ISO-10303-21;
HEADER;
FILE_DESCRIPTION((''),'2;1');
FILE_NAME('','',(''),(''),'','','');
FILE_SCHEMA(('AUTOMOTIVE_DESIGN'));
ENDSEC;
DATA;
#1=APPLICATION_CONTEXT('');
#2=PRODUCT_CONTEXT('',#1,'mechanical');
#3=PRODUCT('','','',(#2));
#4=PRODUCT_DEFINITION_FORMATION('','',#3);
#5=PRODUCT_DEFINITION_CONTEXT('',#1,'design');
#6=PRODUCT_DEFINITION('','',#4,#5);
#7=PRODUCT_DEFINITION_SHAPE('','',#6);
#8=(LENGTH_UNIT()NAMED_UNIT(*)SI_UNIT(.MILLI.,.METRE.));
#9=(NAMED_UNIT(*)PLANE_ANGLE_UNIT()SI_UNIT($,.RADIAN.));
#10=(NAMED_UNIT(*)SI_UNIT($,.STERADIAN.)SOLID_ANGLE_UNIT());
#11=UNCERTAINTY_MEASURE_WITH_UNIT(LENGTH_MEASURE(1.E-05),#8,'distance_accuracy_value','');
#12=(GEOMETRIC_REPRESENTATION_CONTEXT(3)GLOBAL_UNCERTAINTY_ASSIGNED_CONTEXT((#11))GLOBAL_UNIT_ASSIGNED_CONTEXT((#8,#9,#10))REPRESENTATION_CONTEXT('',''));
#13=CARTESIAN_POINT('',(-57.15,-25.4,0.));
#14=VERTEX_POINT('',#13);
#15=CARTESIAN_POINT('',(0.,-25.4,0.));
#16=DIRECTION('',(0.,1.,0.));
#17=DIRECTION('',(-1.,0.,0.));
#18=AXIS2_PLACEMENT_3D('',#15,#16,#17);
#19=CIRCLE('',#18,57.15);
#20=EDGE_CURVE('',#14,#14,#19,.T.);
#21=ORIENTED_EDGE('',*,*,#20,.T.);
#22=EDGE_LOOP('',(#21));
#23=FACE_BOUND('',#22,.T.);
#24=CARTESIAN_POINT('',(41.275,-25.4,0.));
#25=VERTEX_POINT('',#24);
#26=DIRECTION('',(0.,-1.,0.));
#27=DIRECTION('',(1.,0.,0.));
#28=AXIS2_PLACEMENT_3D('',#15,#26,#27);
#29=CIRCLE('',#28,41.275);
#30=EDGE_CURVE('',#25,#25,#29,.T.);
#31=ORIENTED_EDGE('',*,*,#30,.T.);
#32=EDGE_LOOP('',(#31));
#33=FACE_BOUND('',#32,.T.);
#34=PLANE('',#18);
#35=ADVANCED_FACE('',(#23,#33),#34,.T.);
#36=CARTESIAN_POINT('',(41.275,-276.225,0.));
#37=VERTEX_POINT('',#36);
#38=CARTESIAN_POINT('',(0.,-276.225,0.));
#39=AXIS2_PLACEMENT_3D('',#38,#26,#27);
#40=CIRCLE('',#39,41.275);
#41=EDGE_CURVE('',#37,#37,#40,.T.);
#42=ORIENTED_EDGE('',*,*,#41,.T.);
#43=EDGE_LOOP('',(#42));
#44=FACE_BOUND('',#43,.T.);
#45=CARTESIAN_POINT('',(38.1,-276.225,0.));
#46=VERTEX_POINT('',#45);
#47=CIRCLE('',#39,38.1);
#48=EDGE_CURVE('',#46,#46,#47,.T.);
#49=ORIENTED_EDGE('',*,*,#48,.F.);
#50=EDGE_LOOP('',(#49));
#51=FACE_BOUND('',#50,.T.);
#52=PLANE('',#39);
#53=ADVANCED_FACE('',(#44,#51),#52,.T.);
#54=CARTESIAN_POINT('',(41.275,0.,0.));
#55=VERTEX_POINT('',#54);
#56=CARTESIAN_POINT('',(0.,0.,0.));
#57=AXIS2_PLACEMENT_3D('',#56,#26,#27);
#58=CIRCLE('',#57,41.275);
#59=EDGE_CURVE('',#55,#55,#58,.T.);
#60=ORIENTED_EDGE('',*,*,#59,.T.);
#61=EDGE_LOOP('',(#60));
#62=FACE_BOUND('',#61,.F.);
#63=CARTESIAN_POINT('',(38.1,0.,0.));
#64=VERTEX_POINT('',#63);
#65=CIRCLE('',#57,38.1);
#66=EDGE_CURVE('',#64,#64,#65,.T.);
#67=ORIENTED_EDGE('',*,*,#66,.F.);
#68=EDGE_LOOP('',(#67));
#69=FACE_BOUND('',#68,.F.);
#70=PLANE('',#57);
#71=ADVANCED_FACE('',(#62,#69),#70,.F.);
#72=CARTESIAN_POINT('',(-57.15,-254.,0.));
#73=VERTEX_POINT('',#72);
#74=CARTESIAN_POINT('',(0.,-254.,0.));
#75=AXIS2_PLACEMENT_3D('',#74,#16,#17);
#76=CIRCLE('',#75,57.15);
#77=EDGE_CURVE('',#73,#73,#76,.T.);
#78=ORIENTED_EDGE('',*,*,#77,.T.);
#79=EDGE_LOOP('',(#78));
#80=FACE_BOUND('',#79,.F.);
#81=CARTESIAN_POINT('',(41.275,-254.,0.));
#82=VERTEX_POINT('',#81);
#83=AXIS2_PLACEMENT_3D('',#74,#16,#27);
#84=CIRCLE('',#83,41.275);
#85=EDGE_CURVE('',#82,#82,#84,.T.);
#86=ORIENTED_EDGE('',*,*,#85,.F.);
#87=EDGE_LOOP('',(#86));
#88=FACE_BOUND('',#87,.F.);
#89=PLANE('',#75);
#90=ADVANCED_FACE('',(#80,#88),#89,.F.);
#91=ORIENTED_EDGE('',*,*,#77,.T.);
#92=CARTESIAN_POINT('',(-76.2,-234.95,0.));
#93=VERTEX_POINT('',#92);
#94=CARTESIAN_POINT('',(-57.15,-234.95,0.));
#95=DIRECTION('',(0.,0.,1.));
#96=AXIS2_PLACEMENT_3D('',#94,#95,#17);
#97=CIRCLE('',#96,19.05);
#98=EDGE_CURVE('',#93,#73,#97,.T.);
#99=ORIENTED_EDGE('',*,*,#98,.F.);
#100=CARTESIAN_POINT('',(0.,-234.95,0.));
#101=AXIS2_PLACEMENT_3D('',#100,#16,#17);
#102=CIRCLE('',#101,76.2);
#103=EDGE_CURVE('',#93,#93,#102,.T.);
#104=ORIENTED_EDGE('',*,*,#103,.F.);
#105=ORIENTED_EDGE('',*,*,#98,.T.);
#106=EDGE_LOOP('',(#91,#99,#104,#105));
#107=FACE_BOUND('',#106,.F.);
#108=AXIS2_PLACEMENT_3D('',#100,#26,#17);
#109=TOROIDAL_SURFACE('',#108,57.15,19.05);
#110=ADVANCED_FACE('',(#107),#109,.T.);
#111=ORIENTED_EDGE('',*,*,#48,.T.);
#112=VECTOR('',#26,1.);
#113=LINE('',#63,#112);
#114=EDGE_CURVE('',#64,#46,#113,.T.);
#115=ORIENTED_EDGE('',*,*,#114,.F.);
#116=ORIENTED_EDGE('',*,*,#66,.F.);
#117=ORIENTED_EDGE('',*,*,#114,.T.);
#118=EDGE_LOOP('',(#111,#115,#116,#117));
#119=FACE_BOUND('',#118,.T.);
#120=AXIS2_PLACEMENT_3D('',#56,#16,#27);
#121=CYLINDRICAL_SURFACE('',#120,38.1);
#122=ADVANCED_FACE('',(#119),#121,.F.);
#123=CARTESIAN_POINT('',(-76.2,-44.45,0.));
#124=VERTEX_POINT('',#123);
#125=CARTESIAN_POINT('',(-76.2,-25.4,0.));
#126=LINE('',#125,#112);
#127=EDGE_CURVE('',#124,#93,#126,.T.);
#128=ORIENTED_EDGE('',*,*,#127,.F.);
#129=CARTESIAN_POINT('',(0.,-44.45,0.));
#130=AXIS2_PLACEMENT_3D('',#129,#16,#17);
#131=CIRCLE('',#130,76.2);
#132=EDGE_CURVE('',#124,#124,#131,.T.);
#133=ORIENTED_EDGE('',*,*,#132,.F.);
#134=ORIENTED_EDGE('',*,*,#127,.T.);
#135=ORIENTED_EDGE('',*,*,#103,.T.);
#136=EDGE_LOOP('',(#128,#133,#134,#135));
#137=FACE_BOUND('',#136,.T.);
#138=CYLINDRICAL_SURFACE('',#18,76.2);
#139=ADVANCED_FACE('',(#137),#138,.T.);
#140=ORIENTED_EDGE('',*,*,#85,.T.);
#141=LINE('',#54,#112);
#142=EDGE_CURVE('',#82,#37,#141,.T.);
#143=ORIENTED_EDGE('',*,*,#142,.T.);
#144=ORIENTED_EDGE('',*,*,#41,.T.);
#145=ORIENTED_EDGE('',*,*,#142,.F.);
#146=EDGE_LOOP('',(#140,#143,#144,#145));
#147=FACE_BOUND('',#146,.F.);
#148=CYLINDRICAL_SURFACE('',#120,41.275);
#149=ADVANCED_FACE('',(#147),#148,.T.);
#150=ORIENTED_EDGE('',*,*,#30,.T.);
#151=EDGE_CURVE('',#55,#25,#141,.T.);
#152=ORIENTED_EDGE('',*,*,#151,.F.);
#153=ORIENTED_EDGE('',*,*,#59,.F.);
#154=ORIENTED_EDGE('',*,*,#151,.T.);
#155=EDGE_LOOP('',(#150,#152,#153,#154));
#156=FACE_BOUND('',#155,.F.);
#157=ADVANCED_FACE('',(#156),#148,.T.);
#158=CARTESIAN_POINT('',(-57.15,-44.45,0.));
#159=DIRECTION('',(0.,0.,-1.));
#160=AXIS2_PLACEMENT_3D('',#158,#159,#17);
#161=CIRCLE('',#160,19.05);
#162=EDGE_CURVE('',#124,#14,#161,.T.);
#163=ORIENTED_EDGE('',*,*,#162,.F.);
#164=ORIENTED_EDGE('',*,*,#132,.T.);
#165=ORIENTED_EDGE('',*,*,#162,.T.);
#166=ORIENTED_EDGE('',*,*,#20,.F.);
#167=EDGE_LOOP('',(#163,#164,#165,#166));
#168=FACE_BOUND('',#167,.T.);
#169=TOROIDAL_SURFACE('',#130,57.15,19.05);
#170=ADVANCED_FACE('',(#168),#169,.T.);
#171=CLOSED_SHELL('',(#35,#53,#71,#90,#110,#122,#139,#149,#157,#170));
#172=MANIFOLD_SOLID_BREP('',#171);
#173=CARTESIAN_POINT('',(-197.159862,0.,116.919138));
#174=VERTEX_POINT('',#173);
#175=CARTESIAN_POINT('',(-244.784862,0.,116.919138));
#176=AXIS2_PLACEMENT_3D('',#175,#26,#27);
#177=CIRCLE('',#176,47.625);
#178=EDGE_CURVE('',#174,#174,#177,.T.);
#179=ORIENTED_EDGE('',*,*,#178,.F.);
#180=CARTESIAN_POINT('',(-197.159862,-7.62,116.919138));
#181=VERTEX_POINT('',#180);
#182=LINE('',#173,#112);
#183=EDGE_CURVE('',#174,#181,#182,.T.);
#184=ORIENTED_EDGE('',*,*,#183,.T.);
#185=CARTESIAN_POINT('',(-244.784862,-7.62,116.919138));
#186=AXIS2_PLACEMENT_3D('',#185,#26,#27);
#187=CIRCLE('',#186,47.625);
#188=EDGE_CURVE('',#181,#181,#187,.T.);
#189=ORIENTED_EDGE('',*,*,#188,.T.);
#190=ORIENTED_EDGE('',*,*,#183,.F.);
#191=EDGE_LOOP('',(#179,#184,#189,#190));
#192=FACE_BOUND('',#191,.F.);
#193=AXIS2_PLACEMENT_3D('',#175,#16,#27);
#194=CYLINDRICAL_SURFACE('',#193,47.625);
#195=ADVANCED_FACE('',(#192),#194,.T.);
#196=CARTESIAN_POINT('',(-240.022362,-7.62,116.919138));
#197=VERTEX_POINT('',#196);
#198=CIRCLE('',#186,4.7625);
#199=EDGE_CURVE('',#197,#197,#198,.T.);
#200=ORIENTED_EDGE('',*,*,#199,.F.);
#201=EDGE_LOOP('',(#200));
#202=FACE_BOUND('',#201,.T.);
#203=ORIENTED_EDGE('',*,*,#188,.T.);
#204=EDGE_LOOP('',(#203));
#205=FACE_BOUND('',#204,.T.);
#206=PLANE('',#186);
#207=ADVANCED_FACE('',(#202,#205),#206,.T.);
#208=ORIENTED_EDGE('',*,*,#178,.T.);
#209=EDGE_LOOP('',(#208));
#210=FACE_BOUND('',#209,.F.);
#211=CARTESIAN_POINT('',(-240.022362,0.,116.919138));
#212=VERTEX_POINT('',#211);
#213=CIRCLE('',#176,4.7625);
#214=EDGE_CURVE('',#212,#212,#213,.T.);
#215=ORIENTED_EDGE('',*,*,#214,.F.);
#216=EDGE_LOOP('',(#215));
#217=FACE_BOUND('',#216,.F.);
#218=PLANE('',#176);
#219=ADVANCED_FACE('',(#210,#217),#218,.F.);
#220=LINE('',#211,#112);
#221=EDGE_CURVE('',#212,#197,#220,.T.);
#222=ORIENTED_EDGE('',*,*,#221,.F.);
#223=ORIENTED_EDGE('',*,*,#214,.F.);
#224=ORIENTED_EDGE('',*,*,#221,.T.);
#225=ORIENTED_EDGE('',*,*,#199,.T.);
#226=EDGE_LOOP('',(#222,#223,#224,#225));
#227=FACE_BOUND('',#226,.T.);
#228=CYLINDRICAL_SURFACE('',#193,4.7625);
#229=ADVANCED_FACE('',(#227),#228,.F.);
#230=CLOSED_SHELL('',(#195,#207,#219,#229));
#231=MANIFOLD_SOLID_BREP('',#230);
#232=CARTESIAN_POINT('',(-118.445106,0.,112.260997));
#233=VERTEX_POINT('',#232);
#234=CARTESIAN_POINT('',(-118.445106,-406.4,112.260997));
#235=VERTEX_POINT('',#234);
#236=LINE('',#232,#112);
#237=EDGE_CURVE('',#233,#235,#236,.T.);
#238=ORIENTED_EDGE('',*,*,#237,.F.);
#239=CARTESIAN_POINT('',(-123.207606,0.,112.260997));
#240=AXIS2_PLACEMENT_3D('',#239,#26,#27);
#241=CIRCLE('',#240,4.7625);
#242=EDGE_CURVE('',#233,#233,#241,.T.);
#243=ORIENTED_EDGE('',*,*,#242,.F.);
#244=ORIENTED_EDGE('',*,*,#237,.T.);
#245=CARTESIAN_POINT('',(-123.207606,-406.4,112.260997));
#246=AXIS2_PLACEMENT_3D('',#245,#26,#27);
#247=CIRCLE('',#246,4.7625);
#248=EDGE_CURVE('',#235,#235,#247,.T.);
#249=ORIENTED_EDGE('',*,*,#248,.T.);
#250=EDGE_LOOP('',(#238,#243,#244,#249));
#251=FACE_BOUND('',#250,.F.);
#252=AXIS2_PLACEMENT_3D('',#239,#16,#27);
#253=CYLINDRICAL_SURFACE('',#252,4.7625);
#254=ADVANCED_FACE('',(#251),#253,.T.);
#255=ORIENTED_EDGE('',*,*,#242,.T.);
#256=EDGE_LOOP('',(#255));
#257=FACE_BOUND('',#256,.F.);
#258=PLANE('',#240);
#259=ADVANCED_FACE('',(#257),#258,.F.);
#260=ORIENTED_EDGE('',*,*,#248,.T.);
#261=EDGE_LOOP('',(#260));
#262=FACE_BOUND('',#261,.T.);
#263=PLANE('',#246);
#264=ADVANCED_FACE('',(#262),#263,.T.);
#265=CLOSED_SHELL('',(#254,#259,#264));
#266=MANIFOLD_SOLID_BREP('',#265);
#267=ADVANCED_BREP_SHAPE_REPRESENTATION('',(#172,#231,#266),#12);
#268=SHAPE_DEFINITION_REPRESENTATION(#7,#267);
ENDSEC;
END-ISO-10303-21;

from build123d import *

# Parameters (mm, degrees)
F0_R     = 41.275
F0_R_2   = 38.1
F1_DEPTH = 276.225
F3_START = -25.4
F2_R     = 76.2
F2_R_2   = 41.275
F3_DEPTH = 228.6
F4_R     = 19.05
F5_R     = 47.625
F5_R_2   = 4.7625
F6_DEPTH = 7.62
F7_R     = 4.7625
F8_DEPTH = 406.4


with BuildPart() as f1:
    # F0 (on Front) → F1 (new body)
    with BuildSketch(Plane.XZ):
        Circle(F0_R)
        Circle(F0_R_2, mode=Mode.SUBTRACT)
    extrude(amount=F1_DEPTH)

    # F2 (on face) → F3 (join)
    with BuildSketch(Plane(origin=(0, 0, 0), x_dir=(-1, 0, 0), z_dir=(0, 1, 0)).offset(F3_START)):
        Circle(F2_R)
        Circle(F2_R_2, mode=Mode.SUBTRACT)
    extrude(amount=-F3_DEPTH)

    # F4
    f4_edges = [f1.edges().sort_by_distance(p)[0] for p in [
        (76.2, -25.4, 0),
        (76.2, -254, 0),
    ]]
    fillet(f4_edges, radius=F4_R)


with BuildPart() as f6:
    # F5 (on Front) → F6 (new body)
    with BuildSketch(Plane.XZ):
        with Locations((-244.7848618031, 116.9191375375)):
            Circle(F5_R)
        with Locations((-244.7848618031, 116.9191375375)):
            Circle(F5_R_2, mode=Mode.SUBTRACT)
    extrude(amount=F6_DEPTH)


with BuildPart() as f8:
    # F7 (on Front) → F8 (new body)
    with BuildSketch(Plane.XZ):
        with Locations((-123.2076063752, 112.2609972954)):
            Circle(F7_R)
    extrude(amount=F8_DEPTH)


solid = Compound([f1.part, f6.part, f8.part])
